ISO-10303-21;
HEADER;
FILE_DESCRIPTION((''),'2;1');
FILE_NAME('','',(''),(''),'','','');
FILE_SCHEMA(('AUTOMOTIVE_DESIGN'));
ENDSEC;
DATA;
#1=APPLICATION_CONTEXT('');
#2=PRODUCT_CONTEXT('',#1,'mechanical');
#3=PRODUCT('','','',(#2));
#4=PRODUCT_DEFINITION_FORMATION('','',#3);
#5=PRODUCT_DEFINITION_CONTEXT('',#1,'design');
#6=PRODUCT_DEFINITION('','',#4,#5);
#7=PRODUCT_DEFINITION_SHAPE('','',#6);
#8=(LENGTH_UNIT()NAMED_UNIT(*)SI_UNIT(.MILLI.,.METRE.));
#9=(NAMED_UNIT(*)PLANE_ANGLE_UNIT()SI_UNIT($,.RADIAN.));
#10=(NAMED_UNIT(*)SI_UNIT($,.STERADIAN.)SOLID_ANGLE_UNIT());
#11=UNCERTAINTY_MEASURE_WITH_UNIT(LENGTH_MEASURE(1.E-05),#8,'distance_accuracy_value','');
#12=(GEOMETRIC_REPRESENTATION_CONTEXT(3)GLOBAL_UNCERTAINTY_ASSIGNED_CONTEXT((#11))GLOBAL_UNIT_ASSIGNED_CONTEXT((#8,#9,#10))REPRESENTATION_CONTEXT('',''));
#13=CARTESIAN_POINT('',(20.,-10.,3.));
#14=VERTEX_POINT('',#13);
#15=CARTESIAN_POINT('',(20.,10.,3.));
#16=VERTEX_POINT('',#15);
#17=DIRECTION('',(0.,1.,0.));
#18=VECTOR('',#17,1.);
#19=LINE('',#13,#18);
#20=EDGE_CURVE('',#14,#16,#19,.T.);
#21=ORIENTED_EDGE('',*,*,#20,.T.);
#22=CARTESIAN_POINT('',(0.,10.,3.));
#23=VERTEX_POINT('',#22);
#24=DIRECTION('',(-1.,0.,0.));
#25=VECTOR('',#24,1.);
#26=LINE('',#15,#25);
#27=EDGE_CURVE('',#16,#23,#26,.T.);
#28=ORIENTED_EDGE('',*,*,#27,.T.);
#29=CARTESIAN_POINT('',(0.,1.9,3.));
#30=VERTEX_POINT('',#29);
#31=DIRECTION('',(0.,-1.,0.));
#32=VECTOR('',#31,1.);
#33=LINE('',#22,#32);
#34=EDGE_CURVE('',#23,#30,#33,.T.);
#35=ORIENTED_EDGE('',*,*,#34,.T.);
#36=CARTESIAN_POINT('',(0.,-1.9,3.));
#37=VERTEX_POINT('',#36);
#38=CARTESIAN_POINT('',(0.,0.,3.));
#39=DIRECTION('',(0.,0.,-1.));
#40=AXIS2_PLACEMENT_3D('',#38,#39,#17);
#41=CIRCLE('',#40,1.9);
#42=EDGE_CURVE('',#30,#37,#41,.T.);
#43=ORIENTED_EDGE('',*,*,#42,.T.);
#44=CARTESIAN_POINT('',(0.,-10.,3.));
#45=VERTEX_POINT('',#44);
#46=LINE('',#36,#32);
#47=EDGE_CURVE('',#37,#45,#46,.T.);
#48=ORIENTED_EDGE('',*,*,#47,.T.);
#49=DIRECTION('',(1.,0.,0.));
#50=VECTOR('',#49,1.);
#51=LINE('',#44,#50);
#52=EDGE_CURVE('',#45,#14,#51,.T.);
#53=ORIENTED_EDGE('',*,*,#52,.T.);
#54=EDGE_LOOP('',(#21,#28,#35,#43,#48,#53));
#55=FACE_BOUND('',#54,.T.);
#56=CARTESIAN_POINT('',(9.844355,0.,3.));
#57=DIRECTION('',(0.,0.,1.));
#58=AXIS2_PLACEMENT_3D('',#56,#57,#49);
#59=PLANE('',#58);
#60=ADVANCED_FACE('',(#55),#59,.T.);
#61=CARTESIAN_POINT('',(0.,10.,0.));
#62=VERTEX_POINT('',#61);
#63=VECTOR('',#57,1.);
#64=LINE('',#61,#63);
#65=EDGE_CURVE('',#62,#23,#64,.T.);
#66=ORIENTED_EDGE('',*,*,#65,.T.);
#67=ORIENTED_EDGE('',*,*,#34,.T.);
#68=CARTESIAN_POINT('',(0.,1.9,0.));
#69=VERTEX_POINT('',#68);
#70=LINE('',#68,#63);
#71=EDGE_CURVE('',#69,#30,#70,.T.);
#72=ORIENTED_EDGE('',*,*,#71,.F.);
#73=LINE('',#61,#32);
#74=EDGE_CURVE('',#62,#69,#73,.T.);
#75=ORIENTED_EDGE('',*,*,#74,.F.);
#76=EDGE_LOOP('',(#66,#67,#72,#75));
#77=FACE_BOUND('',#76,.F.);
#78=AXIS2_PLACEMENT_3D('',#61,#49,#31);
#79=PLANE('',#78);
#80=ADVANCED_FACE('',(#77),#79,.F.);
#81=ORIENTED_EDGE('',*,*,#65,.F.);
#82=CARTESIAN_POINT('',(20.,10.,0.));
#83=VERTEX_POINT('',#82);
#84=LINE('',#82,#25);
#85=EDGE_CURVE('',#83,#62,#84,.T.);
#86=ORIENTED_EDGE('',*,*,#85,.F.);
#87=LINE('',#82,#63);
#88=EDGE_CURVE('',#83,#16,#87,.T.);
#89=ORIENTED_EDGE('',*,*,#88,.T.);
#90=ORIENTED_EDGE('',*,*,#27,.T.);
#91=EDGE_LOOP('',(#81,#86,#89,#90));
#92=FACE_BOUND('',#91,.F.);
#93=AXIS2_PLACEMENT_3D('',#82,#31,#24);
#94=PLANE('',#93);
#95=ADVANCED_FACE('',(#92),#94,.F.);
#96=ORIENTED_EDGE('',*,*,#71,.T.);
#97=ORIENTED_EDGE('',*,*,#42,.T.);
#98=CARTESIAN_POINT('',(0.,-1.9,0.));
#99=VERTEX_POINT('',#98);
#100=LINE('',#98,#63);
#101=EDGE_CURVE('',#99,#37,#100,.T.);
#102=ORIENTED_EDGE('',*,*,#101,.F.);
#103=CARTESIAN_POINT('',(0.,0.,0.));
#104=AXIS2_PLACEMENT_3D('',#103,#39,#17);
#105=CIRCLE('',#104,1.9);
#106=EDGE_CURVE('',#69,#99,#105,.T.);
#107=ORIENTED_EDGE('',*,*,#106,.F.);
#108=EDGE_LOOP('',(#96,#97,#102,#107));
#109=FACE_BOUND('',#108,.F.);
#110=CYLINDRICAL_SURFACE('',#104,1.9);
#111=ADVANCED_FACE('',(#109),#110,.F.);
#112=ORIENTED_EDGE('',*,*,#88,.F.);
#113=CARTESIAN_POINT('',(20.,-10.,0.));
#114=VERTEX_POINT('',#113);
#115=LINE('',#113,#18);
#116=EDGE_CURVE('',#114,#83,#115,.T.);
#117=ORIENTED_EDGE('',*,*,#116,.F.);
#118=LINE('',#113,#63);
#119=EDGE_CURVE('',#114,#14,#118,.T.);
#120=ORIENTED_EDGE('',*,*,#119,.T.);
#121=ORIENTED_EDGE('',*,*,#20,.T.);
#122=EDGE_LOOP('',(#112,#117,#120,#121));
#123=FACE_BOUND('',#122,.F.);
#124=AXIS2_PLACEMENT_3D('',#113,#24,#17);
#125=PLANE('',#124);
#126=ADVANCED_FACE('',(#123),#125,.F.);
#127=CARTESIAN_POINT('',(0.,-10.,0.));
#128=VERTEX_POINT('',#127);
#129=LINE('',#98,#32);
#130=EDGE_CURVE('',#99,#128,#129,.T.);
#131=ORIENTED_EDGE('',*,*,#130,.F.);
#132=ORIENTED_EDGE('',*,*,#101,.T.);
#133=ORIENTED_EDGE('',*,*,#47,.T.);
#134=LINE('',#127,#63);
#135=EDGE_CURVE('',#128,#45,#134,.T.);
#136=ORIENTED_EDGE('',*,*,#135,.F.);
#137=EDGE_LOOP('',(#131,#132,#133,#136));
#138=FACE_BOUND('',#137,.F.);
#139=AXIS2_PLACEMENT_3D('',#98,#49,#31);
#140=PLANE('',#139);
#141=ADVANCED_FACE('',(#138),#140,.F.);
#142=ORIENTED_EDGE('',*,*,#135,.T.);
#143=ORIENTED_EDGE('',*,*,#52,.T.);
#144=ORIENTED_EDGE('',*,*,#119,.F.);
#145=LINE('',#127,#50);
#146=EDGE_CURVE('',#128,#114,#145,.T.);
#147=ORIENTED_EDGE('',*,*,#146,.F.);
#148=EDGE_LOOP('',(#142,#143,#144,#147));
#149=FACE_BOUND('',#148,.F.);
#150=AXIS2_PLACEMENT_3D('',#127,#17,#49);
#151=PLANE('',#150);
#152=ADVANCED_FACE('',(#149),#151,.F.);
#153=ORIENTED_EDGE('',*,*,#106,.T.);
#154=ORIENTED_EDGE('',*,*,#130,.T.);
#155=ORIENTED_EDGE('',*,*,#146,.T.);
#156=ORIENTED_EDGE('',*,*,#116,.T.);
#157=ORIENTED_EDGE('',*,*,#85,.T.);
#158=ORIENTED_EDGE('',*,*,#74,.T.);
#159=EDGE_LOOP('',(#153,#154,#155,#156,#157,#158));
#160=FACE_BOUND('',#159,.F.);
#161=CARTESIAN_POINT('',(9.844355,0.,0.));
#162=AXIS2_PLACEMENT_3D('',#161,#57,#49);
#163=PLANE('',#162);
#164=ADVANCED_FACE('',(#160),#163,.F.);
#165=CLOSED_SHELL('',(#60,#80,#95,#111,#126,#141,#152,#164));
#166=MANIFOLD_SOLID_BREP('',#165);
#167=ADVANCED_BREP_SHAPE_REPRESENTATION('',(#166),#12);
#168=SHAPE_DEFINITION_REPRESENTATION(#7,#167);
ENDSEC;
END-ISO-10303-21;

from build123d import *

# Parameters (mm, degrees)
F1_DEPTH = 3


with BuildPart() as f1:
    # F0 (on Top) → F1 (new body)
    with BuildSketch(Plane.XY):
        with BuildLine():
            ThreePointArc((0, 1.9), (1.9, 0), (0, -1.9))
            Line((0, -1.9), (0, -10))
            Line((0, -10), (20, -10))
            Line((20, -10), (20, 10))
            Line((20, 10), (0, 10))
            Line((0, 10), (0, 1.9))
        make_face()
    extrude(amount=F1_DEPTH)


solid = f1.part
